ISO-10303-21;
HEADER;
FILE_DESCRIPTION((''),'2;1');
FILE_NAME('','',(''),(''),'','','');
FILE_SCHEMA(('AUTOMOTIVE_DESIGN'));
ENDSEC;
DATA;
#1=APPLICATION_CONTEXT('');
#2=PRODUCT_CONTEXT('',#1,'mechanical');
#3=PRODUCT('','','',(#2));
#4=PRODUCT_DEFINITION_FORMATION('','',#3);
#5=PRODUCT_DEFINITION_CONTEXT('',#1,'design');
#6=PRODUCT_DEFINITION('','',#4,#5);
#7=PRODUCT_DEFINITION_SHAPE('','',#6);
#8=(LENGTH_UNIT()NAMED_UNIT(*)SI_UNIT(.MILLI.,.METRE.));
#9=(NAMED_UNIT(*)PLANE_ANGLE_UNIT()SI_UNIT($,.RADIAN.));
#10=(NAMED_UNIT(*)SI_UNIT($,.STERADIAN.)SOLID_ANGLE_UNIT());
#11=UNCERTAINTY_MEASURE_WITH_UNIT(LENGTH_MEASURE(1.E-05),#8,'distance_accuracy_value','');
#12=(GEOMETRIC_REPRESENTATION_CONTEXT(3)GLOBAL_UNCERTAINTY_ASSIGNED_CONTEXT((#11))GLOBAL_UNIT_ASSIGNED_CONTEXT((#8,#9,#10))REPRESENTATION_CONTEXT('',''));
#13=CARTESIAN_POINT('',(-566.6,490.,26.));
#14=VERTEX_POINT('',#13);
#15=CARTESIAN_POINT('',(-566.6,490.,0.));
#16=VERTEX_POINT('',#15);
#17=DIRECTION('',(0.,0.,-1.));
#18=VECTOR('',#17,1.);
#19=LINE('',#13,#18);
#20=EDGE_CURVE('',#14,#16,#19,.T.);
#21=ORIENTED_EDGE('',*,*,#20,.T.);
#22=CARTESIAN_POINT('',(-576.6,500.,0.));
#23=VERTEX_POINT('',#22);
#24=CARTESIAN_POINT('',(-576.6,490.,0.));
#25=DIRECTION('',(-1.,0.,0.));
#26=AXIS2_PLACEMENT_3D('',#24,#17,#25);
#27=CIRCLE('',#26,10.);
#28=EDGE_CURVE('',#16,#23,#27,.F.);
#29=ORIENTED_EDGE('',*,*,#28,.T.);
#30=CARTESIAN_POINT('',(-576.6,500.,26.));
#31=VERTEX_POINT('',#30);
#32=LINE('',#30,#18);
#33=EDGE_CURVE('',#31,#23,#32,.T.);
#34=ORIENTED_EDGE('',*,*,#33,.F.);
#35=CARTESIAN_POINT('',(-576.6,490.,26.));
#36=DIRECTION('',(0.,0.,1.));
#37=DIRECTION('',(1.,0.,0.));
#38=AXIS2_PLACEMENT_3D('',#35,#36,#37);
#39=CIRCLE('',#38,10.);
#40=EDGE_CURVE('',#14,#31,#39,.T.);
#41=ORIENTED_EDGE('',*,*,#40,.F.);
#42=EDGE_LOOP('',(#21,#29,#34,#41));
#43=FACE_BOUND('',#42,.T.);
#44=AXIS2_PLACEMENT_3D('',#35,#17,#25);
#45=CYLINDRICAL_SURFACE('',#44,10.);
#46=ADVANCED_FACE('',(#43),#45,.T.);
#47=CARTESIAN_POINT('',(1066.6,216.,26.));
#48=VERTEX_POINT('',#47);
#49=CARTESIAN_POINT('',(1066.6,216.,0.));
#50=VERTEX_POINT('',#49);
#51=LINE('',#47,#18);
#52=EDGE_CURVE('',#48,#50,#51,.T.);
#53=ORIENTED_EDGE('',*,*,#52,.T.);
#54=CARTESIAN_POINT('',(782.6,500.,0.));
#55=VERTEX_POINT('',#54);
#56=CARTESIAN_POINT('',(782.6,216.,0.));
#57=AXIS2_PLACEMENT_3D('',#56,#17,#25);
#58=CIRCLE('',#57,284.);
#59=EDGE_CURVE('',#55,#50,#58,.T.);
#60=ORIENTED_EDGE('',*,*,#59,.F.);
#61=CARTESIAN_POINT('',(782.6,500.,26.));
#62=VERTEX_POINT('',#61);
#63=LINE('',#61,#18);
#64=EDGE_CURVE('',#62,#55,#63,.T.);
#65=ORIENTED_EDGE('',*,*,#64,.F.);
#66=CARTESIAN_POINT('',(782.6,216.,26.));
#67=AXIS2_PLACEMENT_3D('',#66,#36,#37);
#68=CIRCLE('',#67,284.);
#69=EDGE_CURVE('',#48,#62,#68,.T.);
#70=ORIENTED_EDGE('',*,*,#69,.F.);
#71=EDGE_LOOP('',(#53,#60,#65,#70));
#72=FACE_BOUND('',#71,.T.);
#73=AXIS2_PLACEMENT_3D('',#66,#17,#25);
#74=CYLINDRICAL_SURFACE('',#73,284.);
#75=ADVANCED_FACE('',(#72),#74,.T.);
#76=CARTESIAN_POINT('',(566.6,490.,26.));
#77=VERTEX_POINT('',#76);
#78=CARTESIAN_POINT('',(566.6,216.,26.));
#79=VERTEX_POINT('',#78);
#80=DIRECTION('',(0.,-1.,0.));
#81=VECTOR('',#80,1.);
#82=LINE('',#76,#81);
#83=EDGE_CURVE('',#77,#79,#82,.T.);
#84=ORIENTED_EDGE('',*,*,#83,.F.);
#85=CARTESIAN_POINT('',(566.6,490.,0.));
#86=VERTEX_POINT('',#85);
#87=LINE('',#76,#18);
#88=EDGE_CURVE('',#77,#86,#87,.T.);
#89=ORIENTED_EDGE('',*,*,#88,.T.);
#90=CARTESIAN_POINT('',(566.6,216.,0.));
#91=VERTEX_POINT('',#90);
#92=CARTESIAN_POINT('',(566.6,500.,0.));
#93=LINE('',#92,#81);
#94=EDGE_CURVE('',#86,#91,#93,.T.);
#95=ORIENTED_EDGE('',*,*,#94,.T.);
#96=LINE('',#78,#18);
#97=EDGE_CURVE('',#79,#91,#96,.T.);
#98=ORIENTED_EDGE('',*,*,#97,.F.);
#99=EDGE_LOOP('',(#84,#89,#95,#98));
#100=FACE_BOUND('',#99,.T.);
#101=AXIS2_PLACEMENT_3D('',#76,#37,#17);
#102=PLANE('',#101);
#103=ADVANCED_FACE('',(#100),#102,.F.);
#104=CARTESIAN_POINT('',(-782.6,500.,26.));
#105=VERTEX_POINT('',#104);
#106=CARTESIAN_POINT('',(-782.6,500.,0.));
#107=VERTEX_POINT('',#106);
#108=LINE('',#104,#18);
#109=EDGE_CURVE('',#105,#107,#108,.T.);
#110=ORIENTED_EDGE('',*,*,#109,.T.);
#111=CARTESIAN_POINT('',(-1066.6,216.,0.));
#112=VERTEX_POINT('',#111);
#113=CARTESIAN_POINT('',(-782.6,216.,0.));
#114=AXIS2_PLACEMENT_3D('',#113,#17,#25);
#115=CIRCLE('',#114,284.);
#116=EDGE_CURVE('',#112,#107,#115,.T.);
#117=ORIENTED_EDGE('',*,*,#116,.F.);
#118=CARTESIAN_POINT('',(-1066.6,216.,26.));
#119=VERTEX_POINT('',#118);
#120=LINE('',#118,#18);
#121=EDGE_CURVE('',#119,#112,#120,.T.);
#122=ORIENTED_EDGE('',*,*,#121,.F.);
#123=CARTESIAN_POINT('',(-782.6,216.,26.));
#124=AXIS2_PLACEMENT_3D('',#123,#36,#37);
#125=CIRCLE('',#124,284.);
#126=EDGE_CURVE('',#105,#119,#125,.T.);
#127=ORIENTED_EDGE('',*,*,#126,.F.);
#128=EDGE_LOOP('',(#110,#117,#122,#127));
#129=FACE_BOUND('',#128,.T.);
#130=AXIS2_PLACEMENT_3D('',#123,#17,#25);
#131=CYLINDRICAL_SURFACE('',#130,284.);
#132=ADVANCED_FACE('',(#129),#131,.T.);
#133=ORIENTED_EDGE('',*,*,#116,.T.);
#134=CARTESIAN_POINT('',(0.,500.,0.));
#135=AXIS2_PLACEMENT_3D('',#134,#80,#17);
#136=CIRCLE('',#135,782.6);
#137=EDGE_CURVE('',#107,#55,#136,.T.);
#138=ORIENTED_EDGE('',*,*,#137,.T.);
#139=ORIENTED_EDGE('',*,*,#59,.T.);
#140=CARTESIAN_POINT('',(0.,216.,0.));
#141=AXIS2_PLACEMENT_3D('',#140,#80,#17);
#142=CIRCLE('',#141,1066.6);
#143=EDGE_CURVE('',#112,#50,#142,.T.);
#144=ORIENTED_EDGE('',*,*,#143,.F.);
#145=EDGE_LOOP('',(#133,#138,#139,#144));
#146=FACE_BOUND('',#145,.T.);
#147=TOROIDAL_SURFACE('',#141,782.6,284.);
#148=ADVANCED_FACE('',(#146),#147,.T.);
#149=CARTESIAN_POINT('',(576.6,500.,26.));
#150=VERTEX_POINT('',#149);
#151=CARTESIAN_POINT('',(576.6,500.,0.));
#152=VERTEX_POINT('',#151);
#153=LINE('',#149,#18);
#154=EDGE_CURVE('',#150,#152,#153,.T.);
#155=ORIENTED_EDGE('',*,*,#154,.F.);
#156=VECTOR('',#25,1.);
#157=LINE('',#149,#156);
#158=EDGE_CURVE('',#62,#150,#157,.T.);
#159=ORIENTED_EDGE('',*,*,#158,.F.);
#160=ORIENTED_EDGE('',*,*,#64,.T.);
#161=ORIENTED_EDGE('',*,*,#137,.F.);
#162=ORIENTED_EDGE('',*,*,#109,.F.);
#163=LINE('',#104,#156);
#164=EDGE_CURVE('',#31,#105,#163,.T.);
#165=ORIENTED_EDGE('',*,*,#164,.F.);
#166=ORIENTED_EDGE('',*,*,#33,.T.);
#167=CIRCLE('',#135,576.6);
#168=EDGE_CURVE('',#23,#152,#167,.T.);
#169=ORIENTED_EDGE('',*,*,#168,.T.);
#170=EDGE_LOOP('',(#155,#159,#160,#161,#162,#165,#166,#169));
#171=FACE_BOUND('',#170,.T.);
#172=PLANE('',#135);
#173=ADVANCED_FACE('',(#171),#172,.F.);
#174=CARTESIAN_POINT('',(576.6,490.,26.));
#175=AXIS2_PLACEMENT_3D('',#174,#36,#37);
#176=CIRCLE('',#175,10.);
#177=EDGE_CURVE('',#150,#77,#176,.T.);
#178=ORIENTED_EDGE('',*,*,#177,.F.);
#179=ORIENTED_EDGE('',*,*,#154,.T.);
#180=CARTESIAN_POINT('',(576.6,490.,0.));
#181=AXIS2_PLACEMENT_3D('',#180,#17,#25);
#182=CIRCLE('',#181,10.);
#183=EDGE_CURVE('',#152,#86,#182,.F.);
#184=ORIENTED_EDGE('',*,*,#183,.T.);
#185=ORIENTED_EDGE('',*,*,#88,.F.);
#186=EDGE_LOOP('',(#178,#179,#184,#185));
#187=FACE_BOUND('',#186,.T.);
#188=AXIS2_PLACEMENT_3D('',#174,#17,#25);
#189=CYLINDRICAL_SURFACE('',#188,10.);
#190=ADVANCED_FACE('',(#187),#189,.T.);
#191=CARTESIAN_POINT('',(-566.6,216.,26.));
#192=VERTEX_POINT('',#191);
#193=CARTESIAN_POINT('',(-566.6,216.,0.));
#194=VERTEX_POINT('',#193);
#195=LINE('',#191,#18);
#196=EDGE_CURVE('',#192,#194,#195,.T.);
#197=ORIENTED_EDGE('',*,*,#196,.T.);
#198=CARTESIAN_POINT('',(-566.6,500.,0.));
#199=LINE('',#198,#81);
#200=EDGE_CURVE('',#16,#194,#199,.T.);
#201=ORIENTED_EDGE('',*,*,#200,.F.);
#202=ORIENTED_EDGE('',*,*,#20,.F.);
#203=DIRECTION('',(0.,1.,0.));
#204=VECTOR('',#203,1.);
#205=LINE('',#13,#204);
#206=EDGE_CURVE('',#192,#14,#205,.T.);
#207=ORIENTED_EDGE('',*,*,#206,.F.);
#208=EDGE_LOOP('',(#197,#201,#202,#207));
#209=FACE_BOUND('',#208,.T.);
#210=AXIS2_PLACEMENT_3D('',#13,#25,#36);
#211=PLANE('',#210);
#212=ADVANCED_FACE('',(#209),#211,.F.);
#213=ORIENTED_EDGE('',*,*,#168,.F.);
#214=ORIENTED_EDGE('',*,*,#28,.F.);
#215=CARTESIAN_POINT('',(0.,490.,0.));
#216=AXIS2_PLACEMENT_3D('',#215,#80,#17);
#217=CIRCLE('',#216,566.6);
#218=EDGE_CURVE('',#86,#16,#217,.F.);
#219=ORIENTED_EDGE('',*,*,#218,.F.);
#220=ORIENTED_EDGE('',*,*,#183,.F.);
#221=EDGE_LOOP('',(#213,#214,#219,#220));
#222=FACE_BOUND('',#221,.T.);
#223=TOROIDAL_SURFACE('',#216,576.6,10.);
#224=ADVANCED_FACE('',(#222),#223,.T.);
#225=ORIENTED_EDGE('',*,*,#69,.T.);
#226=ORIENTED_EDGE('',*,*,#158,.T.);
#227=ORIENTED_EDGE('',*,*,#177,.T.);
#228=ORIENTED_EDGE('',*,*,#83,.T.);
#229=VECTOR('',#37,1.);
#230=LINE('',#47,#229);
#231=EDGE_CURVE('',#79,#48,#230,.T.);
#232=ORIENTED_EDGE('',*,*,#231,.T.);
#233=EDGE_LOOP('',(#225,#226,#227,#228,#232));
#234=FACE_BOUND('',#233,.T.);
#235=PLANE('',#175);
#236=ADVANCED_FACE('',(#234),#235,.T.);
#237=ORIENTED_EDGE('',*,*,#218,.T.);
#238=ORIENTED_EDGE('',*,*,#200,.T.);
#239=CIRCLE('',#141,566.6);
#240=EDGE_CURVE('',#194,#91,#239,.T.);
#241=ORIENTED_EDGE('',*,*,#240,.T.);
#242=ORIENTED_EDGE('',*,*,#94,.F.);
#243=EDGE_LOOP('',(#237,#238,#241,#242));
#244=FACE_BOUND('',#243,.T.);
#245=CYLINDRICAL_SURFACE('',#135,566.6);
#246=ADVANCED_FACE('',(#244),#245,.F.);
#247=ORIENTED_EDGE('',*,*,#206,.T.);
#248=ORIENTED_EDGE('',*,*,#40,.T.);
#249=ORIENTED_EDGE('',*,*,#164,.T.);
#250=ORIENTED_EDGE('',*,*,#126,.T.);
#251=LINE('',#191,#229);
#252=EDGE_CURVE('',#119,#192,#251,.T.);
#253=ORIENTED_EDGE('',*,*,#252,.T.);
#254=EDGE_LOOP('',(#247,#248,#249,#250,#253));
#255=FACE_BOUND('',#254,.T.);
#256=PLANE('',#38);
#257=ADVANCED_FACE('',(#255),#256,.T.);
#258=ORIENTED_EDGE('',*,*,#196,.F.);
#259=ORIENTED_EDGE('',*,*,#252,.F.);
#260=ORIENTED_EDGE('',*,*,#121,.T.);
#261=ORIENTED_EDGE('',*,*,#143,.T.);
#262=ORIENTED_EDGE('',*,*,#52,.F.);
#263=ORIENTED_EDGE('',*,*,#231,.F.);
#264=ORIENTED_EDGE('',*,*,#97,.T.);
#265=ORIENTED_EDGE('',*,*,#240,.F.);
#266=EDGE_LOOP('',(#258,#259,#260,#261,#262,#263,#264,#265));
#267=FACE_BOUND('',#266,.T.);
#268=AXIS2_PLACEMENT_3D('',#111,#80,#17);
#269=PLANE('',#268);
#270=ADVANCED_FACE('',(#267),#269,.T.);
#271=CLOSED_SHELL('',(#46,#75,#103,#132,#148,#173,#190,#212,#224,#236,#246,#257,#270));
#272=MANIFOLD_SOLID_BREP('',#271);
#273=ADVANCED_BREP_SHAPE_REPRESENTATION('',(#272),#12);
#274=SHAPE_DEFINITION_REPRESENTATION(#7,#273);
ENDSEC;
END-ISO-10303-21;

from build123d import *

# Parameters (mm, degrees)
BOSS_EXTRUDE1_DEPTH = 500
FILLET1_R           = 10
BOSS_EXTRUDE2_DEPTH = 26


with BuildPart() as part:
    # Sketch1 → Boss-Extrude1 (new body)
    with BuildSketch(Plane(origin=(0, 0, 0), x_dir=(1, 0, 0), z_dir=(0, 1, 0))):
        with BuildLine():
            Line((-566.6, 0), (-1066.6, 0))
            ThreePointArc((-1066.6, 0), (0, 1066.6), (1066.6, 0))
            Line((1066.6, 0), (566.6, 0))
            ThreePointArc((566.6, 0), (0, 566.6), (-566.6, 0))
        make_face()
    extrude(amount=BOSS_EXTRUDE1_DEPTH)

    # Fillet1
    fillet1_edges = [part.edges().sort_by_distance(p)[0] for p in [
        (0, 500, -1066.6),
        (0, 500, -566.6),
        (0, 0, -1066.6),
        (0, 0, -566.6),
    ]]
    fillet(fillet1_edges, radius=FILLET1_R)

    # Sketch2 → Cut-Revolve1 (revolve, cut)
    with BuildSketch(Plane.XY):
        with BuildLine():
            Line((-1066.6, 216), (-566.6, 216))
            Line((-566.6, 216), (-566.6, 0))
            Line((-566.6, 0), (-1145.861102691, 0))
            Line((-1145.861102691, 0), (-1145.861102691, 500))
            Line((-1145.861102691, 500), (-782.6, 500))
            ThreePointArc((-782.6, 500), (-983.418325857, 416.818325857), (-1066.6, 216))
        make_face()
    revolve(axis=Axis((0, 0, 0), (0, 1, 0)), mode=Mode.SUBTRACT)

    # Sketch3 → Boss-Extrude2 (add)
    with BuildSketch(Plane.XY):
        with BuildLine():
            Line((-782.6, 500), (-576.6, 500))
            ThreePointArc((-576.6, 500), (-569.528932188, 497.071067812), (-566.6, 490))
            Line((-566.6, 490), (-566.6, 216))
            Line((-566.6, 216), (-1066.6, 216))
            ThreePointArc((-1066.6, 216), (-983.418325857, 416.818325857), (-782.6, 500))
        make_face()
        with BuildLine():
            Line((576.6, 500), (782.6, 500))
            ThreePointArc((782.6, 500), (983.418325857, 416.818325857), (1066.6, 216))
            Line((1066.6, 216), (566.6, 216))
            Line((566.6, 216), (566.6, 490))
            ThreePointArc((566.6, 490), (569.528932188, 497.071067812), (576.6, 500))
        make_face()
    extrude(amount=BOSS_EXTRUDE2_DEPTH)


solid = part.part
